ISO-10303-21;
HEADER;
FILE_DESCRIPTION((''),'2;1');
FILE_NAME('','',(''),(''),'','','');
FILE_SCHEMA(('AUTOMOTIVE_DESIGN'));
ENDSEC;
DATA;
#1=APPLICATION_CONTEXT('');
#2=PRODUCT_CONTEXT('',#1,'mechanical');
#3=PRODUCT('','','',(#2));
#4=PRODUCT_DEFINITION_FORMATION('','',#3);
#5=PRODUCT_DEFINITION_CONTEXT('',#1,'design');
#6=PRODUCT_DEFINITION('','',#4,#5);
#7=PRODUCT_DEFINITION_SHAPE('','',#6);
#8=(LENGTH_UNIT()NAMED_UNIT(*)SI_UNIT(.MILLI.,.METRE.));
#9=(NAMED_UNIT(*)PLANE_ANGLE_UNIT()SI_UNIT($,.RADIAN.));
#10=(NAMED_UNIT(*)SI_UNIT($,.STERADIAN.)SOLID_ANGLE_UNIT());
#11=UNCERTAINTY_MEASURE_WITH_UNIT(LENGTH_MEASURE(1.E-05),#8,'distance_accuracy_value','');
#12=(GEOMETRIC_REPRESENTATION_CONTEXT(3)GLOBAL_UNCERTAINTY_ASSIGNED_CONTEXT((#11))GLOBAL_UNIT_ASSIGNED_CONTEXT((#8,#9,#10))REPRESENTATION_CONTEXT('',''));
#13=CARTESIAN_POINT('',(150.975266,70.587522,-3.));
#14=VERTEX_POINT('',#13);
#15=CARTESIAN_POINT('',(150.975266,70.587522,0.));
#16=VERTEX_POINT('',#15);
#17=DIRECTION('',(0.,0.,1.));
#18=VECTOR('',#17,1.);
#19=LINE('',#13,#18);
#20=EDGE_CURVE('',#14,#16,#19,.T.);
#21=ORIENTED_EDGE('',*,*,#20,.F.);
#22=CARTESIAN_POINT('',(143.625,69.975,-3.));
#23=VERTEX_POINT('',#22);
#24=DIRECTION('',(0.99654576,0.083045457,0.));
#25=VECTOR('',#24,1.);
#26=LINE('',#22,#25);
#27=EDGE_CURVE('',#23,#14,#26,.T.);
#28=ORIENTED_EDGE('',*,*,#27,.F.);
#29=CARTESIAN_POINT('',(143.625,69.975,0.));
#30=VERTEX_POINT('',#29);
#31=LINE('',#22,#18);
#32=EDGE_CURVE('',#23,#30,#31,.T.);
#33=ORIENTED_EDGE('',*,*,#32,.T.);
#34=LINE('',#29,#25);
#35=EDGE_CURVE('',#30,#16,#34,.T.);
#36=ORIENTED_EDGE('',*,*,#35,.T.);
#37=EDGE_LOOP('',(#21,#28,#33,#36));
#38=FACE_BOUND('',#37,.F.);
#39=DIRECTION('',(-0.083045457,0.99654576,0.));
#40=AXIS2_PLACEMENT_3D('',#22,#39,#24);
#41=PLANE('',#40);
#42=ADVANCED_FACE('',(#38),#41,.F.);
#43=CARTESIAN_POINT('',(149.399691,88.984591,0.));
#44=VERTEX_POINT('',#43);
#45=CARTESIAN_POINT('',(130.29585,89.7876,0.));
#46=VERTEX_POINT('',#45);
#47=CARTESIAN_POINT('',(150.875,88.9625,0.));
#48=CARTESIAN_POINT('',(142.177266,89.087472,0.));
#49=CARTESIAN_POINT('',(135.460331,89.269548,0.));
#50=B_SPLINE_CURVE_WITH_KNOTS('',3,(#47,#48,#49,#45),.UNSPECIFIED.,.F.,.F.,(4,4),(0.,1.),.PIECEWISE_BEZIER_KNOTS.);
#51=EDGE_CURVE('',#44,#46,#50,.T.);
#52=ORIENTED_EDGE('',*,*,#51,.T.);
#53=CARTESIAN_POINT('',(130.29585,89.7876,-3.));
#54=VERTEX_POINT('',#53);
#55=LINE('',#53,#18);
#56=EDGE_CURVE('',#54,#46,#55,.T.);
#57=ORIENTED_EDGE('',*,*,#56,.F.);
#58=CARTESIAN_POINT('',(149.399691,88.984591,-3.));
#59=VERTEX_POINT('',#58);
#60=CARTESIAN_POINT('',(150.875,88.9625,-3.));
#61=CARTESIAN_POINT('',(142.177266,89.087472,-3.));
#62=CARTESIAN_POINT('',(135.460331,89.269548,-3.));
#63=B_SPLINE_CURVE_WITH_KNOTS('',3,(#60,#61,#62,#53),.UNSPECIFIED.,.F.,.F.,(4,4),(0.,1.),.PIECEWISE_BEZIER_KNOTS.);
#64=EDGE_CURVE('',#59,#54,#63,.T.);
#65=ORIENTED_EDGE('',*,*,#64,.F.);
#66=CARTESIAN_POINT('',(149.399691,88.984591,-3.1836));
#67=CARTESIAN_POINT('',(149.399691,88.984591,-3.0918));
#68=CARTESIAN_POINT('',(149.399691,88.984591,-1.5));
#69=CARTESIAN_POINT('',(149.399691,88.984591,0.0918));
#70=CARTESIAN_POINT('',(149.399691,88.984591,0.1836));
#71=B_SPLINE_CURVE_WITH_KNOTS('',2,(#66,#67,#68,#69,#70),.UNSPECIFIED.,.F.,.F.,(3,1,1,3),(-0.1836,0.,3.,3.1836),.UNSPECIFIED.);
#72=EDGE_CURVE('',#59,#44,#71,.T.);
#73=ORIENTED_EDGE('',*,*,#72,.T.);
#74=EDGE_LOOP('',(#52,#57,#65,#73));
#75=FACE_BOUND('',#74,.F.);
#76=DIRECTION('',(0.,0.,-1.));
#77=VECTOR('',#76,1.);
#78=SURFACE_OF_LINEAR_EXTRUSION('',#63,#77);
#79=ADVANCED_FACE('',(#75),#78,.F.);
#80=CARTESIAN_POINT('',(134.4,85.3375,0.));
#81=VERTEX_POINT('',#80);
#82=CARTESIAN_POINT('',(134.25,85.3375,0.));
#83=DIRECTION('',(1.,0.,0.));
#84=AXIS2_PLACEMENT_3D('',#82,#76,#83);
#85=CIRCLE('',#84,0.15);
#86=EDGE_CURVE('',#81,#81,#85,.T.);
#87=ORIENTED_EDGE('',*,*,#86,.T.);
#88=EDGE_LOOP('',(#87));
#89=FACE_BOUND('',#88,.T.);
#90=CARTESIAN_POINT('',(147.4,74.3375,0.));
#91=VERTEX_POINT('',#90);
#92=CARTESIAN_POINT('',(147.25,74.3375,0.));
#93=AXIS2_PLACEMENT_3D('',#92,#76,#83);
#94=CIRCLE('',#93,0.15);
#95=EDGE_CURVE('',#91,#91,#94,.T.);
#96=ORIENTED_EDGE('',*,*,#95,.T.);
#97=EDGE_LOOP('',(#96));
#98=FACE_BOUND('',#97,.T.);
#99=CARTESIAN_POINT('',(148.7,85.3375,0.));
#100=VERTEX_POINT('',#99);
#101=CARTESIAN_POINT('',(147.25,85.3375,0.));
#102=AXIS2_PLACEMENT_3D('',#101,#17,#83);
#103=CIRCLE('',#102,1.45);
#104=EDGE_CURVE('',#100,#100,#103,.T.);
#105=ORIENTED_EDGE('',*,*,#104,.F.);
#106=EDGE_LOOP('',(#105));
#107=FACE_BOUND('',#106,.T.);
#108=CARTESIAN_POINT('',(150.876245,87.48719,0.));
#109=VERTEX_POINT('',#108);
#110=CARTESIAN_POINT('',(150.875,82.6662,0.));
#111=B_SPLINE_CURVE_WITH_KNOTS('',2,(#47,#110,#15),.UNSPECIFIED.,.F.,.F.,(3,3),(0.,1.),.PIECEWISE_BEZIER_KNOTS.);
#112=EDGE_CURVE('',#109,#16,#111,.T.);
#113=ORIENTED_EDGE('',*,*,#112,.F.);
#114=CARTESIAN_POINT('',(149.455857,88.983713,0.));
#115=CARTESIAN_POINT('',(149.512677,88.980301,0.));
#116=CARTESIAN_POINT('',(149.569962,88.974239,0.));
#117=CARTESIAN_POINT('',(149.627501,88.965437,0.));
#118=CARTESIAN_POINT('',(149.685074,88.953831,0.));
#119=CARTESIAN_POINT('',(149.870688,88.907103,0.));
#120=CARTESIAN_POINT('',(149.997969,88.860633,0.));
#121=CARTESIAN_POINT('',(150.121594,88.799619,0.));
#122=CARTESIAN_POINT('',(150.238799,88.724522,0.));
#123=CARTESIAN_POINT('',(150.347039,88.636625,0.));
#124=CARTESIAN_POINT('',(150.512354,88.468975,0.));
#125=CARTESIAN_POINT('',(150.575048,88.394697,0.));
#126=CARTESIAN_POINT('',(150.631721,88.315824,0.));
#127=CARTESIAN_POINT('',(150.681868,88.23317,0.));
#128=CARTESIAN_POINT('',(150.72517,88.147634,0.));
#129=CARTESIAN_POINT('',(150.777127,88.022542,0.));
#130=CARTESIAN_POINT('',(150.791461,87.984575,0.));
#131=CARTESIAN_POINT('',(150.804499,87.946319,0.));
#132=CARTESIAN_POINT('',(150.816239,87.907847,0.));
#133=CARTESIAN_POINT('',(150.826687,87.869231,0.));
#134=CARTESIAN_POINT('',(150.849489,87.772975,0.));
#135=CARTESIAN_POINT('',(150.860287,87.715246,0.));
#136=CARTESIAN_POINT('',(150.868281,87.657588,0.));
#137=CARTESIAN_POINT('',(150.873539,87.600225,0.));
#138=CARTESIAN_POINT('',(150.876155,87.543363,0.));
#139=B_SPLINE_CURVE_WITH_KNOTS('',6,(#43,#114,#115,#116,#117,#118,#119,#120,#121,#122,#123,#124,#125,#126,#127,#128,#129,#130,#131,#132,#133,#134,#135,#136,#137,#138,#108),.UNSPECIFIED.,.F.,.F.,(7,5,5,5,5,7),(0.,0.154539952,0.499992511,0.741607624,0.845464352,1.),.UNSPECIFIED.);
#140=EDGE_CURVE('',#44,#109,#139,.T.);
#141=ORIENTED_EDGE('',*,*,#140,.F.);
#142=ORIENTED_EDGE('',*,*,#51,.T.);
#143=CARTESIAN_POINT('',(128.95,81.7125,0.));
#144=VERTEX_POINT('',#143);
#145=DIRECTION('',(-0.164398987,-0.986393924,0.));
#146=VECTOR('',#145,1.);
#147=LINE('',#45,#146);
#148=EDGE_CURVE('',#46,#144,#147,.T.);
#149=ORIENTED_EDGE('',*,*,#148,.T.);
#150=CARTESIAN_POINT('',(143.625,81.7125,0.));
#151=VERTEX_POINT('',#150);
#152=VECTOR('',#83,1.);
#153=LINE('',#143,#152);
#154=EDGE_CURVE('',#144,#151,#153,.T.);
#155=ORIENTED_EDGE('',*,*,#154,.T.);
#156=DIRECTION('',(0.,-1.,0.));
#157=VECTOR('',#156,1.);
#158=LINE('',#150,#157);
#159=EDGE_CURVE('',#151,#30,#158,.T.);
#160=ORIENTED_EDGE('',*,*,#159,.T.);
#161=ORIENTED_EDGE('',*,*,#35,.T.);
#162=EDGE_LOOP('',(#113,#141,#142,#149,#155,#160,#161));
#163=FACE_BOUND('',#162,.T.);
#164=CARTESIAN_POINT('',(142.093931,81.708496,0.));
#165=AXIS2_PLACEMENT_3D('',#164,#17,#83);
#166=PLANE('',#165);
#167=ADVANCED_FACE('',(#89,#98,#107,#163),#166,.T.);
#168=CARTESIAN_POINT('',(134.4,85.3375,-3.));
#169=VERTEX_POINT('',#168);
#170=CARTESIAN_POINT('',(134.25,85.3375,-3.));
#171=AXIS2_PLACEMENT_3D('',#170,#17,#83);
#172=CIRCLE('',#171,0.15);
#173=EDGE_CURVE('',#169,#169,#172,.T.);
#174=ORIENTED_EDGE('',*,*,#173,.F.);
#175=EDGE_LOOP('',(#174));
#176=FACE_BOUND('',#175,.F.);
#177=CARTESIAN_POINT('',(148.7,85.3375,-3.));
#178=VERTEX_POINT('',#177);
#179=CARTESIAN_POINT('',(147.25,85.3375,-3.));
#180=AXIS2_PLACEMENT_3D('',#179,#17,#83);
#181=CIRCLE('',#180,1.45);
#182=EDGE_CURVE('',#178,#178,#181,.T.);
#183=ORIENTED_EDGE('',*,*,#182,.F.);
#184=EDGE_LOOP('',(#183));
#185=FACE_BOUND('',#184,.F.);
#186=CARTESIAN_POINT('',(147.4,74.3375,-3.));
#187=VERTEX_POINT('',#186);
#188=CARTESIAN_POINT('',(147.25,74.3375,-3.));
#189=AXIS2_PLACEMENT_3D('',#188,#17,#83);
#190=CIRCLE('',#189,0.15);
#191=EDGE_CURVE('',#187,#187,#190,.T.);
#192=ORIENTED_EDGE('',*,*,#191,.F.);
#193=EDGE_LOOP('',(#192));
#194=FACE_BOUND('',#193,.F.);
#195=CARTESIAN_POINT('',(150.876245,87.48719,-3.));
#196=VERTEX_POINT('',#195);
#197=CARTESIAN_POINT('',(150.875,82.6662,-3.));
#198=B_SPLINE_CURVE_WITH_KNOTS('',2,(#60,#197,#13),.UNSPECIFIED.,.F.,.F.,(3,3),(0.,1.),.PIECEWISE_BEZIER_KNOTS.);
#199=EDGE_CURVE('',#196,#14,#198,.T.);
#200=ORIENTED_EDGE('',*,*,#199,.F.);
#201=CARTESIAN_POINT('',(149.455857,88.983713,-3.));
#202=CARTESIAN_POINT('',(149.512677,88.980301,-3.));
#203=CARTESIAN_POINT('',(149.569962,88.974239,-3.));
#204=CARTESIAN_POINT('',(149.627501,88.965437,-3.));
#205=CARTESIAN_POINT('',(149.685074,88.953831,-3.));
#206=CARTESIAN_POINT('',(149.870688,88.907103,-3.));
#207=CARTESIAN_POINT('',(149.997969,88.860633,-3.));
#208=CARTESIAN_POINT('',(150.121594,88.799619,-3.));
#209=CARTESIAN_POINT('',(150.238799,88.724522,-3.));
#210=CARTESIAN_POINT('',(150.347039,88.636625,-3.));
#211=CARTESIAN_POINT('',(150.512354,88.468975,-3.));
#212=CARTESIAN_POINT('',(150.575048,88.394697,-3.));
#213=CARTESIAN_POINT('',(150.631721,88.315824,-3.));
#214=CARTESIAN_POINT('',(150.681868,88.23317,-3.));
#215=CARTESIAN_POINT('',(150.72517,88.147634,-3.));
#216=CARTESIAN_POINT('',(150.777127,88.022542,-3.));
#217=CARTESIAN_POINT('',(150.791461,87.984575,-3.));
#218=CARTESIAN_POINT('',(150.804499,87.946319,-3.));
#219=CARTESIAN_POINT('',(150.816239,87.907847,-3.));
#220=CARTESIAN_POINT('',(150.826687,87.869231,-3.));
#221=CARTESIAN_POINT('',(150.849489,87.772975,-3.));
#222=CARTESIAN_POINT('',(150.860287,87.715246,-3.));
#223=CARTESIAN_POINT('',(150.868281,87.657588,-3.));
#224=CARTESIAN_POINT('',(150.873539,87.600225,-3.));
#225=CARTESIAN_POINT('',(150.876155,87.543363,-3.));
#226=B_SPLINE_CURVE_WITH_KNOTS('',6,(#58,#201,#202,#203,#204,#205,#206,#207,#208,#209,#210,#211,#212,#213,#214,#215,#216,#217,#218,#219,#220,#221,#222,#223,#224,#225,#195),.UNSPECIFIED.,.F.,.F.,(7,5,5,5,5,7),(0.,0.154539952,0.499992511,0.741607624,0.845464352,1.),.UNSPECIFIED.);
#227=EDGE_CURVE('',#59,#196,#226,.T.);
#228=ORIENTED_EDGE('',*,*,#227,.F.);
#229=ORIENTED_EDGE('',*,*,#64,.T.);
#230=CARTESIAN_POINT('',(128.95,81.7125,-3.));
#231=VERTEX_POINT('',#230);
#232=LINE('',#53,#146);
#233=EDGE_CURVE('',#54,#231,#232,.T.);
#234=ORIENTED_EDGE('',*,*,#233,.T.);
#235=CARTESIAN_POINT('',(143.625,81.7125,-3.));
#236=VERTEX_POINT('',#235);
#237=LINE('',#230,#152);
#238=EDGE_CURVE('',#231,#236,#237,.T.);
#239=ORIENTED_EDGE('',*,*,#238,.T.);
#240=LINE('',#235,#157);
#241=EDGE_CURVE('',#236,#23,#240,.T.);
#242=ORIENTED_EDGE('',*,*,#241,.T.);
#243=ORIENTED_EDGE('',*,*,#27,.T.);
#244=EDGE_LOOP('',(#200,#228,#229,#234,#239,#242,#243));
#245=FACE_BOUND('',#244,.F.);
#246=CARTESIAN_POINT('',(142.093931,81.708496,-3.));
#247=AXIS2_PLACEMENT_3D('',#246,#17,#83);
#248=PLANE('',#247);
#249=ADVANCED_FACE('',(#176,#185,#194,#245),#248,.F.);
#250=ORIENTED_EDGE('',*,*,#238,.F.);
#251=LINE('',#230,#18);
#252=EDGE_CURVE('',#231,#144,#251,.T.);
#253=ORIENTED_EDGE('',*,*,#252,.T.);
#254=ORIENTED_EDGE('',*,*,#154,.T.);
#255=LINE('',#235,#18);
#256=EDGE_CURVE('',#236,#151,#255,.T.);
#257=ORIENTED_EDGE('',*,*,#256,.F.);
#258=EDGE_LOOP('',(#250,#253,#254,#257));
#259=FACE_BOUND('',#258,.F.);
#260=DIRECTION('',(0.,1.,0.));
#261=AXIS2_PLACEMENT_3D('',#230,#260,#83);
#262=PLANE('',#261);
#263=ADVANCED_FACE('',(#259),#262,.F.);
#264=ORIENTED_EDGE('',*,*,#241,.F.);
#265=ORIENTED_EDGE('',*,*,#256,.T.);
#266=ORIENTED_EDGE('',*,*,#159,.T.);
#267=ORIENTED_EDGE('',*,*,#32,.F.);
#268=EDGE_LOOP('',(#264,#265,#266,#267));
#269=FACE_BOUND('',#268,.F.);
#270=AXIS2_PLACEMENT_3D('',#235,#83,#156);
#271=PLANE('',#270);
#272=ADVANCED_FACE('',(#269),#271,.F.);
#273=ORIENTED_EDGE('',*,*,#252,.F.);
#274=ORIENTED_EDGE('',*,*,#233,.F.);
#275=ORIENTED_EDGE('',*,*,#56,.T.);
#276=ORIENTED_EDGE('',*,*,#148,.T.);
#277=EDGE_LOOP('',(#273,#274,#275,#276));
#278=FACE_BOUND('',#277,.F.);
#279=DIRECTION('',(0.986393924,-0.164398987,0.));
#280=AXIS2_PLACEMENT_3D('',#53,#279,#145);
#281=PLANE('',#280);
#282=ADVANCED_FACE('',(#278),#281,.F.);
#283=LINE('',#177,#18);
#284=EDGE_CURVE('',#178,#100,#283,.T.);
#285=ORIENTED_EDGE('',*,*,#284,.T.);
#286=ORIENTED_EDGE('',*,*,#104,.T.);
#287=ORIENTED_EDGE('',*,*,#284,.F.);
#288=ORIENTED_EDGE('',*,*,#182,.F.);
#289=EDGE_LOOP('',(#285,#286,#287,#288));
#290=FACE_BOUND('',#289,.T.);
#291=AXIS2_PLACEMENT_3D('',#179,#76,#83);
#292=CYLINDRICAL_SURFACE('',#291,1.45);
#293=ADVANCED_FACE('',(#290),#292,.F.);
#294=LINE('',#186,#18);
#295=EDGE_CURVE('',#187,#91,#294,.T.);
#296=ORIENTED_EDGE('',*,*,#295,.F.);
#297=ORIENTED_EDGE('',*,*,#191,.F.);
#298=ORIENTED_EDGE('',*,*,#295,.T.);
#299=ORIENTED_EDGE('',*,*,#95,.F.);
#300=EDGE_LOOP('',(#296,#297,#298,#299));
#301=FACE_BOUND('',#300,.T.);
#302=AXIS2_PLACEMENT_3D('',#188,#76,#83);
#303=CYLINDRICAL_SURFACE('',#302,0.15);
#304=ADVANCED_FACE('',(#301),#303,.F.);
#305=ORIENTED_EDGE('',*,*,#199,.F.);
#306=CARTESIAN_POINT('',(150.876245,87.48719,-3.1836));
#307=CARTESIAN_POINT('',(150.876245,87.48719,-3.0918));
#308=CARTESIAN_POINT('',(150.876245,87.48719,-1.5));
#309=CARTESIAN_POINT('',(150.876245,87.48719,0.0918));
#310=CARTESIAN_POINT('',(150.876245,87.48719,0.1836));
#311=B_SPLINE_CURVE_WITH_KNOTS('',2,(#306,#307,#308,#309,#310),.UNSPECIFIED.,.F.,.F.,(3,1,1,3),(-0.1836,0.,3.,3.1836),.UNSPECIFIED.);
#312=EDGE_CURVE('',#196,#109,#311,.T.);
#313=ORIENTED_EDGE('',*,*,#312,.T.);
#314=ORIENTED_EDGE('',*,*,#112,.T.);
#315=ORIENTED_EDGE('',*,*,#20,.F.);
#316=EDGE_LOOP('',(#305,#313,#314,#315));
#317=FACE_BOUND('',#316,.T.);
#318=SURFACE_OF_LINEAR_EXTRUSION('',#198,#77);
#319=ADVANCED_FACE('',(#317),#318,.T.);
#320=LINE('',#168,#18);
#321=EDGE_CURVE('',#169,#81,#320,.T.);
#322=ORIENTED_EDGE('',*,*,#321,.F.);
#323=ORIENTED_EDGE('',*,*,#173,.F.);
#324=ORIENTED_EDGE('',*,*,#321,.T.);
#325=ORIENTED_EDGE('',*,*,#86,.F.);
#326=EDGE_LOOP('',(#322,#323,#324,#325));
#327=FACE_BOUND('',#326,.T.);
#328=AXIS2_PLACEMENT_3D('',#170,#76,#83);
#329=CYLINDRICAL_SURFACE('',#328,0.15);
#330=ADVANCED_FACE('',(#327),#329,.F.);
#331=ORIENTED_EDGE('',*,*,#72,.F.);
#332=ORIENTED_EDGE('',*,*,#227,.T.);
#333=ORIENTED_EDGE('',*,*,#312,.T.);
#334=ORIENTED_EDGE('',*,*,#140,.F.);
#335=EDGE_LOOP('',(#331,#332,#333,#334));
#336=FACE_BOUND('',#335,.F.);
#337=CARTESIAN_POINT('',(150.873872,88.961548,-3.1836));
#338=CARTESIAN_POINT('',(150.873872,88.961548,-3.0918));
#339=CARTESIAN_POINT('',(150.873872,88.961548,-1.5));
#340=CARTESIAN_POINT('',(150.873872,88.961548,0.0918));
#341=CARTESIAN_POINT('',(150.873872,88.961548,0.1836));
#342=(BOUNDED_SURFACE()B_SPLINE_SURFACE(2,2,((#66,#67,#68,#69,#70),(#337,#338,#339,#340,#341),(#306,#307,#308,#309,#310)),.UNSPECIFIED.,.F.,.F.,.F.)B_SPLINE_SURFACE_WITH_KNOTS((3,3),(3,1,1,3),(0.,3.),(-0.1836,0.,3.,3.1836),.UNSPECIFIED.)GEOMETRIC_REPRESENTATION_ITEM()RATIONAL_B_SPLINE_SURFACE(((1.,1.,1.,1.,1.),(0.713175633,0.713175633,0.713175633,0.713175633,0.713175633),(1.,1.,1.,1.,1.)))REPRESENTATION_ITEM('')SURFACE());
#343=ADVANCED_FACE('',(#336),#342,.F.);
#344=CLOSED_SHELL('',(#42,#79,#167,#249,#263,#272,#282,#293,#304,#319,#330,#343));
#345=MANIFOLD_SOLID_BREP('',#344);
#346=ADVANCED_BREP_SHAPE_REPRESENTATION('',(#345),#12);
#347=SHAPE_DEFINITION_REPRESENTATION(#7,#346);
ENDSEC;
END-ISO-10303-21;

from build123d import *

# Parameters (mm, degrees)
SKETCH052_R     = 1.45
PAD013_DEPTH    = 3
SKETCH057_R     = 0.15
POCKET029_DEPTH = 20
FILLET011_R     = 1.5


with BuildPart() as part:
    # Sketch052 → Pad013 (new body)
    with BuildSketch(Plane.XY):
        with BuildLine():
            add(Edge.make_bspline(
                [(150.875, 88.9625), (142.177266, 89.087472), (135.460331, 89.269548), (130.29585, 89.7876)],
                knots=[0, 0, 0, 0, 1, 1, 1, 1], degree=3))
            Line((130.29585, 89.7876), (128.95, 81.7125))
            Line((128.95, 81.7125), (143.625, 81.7125))
            Line((143.625, 81.7125), (143.625, 69.975))
            Line((143.625, 69.975), (150.975266, 70.587522))
            add(Edge.make_bspline(
                [(150.875, 88.9625), (150.875, 82.6662), (150.975266, 70.587522)],
                knots=[0, 0, 0, 1, 1, 1], degree=2))
        make_face()
        with Locations((147.25, 85.3375)):
            Circle(SKETCH052_R, mode=Mode.SUBTRACT)
    extrude(amount=PAD013_DEPTH)

    # Sketch057 → Pocket029 (cut)
    with BuildSketch(Plane.XY):
        with Locations((134.25, 85.3375)):
            Circle(SKETCH057_R)
        with Locations((147.25, 74.3375)):
            Circle(SKETCH057_R)
    extrude(amount=POCKET029_DEPTH, mode=Mode.SUBTRACT)

    # Fillet011
    fillet011_edges = [part.edges().sort_by_distance(p)[0] for p in [
        (150.875, 88.9625, 1.5),
    ]]
    fillet(fillet011_edges, radius=FILLET011_R)


with BuildPart() as part_1:
    # Body012 placement: moved
    add(part.part.moved(Location((0, 0, -3))))


solid = part_1.part
